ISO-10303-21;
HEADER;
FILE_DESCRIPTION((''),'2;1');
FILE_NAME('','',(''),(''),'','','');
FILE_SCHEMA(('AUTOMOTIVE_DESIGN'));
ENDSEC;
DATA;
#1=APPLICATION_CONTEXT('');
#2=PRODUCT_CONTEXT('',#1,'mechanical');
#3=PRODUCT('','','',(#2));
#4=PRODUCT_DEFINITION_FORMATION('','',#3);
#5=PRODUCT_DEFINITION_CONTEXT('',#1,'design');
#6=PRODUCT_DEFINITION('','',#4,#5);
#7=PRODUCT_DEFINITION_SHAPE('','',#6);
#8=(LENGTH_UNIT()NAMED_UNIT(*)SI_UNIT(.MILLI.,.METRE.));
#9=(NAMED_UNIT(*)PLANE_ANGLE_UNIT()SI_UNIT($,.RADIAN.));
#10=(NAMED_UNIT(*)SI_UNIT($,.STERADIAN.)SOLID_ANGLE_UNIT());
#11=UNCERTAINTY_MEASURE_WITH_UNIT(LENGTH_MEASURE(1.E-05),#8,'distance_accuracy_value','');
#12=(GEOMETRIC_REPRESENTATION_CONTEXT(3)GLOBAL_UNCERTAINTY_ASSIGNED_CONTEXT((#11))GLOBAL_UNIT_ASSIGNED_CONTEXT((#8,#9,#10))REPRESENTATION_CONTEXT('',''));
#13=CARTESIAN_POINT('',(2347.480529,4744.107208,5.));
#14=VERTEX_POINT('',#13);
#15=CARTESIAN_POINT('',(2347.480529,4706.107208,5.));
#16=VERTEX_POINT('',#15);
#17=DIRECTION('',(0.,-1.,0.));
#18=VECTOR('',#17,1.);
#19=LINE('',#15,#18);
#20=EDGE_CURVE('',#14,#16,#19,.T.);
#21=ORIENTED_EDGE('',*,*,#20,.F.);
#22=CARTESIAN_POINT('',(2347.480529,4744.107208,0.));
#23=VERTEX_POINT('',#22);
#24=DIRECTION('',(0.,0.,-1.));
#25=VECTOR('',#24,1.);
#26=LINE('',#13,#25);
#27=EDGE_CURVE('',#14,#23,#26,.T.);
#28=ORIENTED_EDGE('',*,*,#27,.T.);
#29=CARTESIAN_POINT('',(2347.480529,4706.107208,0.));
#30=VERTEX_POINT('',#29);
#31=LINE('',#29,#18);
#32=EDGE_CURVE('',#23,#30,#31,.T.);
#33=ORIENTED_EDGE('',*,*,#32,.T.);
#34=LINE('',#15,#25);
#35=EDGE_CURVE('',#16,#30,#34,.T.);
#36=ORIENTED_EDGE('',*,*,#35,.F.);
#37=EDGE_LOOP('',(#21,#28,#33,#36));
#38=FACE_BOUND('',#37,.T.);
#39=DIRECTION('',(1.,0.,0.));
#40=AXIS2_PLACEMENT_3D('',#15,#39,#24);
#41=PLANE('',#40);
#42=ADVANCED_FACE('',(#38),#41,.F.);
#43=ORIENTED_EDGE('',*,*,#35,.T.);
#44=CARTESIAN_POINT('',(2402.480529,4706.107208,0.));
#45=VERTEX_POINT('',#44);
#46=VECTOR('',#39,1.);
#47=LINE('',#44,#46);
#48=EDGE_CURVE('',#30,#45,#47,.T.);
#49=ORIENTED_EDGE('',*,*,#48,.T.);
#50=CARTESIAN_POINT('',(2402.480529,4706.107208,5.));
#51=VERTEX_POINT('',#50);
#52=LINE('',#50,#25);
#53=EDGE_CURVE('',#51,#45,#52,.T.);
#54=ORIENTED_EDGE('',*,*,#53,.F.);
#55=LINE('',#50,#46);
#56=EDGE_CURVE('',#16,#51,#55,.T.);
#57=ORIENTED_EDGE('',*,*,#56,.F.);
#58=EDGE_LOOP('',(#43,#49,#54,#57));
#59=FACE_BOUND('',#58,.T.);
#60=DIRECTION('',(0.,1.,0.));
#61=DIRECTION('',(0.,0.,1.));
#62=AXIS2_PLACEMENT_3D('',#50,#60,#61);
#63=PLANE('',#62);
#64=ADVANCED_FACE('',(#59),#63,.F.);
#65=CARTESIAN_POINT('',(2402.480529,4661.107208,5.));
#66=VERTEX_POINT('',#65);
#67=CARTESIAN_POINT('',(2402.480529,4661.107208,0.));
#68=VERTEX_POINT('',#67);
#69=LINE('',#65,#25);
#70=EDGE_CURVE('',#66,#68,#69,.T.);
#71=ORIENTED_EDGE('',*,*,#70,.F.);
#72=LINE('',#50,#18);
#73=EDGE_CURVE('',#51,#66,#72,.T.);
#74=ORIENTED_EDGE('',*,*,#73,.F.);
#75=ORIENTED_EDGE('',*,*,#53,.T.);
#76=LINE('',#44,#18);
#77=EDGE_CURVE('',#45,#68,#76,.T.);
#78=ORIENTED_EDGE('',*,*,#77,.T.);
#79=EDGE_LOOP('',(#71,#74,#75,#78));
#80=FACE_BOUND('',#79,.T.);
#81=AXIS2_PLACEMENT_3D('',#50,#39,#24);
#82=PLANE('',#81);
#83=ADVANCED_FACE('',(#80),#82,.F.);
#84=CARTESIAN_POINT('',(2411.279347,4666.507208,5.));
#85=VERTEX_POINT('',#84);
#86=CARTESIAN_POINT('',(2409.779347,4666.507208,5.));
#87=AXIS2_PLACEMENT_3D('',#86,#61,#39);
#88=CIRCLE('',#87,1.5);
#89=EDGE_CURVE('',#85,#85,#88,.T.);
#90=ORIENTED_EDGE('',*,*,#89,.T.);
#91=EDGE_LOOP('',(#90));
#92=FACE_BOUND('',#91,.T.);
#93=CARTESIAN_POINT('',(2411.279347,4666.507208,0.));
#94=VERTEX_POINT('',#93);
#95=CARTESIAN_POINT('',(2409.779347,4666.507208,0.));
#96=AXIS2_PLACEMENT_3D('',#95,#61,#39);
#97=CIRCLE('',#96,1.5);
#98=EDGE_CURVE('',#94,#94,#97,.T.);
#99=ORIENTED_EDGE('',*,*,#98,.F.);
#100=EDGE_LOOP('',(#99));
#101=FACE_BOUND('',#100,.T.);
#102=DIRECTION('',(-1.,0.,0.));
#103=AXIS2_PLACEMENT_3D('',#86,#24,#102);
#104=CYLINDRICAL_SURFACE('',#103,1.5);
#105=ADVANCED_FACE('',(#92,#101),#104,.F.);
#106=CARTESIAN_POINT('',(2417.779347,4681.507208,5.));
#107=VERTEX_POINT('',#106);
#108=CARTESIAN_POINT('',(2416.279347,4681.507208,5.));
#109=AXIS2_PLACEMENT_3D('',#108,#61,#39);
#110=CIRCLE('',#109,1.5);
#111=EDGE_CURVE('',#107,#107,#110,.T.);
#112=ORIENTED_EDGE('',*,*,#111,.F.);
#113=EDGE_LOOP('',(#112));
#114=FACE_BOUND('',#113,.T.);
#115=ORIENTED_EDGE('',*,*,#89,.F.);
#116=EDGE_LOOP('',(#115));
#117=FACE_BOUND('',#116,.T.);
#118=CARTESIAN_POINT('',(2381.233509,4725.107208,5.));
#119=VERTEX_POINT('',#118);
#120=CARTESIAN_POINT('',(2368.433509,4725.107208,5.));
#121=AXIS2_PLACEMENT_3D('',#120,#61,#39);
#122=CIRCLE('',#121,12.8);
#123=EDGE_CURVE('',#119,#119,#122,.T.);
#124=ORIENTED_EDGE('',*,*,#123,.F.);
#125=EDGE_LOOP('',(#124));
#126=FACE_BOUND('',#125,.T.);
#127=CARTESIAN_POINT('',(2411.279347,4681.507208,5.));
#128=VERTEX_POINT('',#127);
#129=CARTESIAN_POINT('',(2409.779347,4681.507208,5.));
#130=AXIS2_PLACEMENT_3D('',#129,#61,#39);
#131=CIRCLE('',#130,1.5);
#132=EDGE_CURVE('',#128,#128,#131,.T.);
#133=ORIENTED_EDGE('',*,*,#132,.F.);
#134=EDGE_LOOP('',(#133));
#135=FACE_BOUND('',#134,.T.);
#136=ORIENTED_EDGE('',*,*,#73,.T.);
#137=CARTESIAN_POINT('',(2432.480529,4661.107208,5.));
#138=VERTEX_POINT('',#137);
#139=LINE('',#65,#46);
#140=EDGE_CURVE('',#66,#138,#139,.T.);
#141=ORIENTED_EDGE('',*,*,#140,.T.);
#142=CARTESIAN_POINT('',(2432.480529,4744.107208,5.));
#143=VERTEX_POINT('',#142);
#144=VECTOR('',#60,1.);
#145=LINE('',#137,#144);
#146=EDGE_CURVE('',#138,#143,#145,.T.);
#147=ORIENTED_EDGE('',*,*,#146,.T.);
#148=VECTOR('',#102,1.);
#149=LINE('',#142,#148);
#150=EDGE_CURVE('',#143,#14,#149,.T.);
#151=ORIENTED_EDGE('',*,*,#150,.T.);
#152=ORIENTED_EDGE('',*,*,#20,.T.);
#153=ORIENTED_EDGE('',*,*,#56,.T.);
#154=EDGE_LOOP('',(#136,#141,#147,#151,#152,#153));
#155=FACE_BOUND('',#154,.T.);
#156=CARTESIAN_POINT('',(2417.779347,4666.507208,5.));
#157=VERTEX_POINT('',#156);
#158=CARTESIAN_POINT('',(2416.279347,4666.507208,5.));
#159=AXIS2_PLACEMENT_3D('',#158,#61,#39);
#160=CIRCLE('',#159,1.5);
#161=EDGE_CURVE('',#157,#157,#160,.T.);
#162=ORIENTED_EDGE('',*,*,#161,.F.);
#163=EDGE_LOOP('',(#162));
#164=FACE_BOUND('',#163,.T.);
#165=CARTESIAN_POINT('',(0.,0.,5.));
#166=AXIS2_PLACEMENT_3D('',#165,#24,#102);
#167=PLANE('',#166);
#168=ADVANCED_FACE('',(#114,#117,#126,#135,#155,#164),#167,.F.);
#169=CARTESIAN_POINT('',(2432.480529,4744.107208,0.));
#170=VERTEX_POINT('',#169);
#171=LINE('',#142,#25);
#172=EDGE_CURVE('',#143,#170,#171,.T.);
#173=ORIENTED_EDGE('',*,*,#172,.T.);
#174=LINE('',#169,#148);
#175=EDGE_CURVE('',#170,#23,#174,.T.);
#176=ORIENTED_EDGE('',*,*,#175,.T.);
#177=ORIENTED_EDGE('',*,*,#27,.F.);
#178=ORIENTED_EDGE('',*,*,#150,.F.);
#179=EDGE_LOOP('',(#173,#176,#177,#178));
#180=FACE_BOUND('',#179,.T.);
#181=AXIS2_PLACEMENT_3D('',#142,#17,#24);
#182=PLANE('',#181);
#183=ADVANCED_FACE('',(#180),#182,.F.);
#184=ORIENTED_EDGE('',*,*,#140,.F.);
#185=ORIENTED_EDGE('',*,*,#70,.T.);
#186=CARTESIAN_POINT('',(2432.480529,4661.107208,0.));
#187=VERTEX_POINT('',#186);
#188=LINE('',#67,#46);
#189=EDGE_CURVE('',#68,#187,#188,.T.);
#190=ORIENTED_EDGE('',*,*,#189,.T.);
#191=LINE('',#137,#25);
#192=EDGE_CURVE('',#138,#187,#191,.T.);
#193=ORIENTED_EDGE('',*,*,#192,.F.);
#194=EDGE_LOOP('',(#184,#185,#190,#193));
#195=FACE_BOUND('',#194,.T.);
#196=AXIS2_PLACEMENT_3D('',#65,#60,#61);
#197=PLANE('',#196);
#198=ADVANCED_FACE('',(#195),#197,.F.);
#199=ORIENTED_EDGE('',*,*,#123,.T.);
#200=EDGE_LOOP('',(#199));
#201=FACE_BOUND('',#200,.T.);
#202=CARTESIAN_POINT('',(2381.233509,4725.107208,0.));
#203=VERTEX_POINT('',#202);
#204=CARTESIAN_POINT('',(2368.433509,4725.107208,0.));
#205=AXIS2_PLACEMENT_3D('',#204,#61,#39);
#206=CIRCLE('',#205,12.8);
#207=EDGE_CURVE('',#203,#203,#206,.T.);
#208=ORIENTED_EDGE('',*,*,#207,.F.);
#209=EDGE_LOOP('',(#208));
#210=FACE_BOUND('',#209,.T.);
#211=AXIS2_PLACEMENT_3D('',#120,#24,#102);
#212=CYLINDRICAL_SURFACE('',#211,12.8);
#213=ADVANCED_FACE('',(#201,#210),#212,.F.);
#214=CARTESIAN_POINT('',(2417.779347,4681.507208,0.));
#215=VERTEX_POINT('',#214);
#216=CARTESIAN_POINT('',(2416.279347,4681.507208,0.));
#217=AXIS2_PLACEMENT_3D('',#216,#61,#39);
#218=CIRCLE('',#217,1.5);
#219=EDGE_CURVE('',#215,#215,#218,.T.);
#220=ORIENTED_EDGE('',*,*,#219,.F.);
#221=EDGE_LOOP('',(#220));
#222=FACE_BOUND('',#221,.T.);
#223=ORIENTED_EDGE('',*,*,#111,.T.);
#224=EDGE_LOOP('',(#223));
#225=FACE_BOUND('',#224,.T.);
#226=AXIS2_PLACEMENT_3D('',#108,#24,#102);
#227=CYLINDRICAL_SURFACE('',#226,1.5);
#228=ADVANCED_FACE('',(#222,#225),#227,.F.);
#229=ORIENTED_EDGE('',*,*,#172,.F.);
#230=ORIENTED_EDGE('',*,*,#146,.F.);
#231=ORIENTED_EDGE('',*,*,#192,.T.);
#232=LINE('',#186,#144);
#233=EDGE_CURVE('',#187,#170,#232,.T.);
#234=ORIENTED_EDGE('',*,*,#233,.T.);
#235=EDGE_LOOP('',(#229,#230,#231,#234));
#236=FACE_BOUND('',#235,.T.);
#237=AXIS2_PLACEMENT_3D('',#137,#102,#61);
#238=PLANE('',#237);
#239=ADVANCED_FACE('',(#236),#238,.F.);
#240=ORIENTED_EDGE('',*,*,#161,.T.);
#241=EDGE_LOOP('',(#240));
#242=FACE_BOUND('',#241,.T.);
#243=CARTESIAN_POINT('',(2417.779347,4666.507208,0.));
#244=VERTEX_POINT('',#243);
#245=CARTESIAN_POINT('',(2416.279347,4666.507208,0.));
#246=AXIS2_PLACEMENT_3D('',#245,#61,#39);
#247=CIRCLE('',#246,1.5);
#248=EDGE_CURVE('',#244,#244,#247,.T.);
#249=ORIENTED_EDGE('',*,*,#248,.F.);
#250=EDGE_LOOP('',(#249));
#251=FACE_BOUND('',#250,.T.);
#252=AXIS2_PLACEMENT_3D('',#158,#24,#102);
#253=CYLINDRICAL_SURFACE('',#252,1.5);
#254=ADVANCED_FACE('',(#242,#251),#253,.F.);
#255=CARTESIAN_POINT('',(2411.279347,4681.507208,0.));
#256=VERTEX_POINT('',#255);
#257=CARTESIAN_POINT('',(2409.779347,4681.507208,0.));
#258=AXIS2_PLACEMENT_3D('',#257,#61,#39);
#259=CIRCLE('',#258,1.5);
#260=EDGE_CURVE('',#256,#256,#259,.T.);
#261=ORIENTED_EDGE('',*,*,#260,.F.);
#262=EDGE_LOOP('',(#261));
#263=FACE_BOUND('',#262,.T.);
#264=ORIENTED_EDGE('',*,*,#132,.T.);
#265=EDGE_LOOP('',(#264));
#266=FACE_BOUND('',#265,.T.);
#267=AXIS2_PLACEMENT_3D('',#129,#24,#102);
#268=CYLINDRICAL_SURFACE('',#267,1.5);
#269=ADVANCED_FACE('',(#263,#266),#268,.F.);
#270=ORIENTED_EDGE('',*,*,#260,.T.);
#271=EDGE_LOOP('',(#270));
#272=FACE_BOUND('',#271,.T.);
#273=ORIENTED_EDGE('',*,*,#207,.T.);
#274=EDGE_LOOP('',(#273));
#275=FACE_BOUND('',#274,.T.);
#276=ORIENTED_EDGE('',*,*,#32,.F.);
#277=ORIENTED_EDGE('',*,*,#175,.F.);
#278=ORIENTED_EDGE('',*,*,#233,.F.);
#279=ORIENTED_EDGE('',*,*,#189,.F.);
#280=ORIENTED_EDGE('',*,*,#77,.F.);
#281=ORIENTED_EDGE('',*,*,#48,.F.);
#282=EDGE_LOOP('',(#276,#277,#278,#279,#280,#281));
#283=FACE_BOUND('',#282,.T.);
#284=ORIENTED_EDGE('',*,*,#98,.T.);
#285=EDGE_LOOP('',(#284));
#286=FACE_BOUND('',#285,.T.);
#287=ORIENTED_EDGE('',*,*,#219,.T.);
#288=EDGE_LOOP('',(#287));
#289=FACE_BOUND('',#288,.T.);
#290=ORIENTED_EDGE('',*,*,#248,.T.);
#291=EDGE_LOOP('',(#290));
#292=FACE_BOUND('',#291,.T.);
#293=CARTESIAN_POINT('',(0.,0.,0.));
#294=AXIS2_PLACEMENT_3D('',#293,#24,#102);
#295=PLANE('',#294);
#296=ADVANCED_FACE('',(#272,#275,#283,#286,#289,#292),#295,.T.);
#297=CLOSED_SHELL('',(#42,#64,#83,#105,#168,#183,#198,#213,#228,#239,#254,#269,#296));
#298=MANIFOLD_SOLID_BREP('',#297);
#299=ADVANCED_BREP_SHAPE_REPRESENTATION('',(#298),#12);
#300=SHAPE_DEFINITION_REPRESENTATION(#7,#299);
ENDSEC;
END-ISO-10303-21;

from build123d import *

# Parameters (mm, degrees)
SKETCH_6_R      = 1.5
SKETCH_6_R_2    = 12.8
EXTRUDE_5_DEPTH = 5


with BuildPart() as part:
    # 草图6 → 凸台-拉伸5 (new body)
    with BuildSketch(Plane.XY):
        Polygon((2402.480529225, 4706.107207741), (2402.480529225, 4661.107207741), (2432.480529225, 4661.107207741), (2432.480529225, 4744.107207741), (2347.480529225, 4744.107207741), (2347.480529225, 4706.107207741), align=None)
        with Locations((2409.779347429, 4666.507207741)):
            Circle(SKETCH_6_R, mode=Mode.SUBTRACT)
        with Locations((2409.779347429, 4681.507207741)):
            Circle(SKETCH_6_R, mode=Mode.SUBTRACT)
        with Locations((2416.279347429, 4666.507207741)):
            Circle(SKETCH_6_R, mode=Mode.SUBTRACT)
        with Locations((2416.279347429, 4681.507207741)):
            Circle(SKETCH_6_R, mode=Mode.SUBTRACT)
        with Locations((2368.433509167, 4725.107207741)):
            Circle(SKETCH_6_R_2, mode=Mode.SUBTRACT)
    extrude(amount=EXTRUDE_5_DEPTH)


solid = part.part
